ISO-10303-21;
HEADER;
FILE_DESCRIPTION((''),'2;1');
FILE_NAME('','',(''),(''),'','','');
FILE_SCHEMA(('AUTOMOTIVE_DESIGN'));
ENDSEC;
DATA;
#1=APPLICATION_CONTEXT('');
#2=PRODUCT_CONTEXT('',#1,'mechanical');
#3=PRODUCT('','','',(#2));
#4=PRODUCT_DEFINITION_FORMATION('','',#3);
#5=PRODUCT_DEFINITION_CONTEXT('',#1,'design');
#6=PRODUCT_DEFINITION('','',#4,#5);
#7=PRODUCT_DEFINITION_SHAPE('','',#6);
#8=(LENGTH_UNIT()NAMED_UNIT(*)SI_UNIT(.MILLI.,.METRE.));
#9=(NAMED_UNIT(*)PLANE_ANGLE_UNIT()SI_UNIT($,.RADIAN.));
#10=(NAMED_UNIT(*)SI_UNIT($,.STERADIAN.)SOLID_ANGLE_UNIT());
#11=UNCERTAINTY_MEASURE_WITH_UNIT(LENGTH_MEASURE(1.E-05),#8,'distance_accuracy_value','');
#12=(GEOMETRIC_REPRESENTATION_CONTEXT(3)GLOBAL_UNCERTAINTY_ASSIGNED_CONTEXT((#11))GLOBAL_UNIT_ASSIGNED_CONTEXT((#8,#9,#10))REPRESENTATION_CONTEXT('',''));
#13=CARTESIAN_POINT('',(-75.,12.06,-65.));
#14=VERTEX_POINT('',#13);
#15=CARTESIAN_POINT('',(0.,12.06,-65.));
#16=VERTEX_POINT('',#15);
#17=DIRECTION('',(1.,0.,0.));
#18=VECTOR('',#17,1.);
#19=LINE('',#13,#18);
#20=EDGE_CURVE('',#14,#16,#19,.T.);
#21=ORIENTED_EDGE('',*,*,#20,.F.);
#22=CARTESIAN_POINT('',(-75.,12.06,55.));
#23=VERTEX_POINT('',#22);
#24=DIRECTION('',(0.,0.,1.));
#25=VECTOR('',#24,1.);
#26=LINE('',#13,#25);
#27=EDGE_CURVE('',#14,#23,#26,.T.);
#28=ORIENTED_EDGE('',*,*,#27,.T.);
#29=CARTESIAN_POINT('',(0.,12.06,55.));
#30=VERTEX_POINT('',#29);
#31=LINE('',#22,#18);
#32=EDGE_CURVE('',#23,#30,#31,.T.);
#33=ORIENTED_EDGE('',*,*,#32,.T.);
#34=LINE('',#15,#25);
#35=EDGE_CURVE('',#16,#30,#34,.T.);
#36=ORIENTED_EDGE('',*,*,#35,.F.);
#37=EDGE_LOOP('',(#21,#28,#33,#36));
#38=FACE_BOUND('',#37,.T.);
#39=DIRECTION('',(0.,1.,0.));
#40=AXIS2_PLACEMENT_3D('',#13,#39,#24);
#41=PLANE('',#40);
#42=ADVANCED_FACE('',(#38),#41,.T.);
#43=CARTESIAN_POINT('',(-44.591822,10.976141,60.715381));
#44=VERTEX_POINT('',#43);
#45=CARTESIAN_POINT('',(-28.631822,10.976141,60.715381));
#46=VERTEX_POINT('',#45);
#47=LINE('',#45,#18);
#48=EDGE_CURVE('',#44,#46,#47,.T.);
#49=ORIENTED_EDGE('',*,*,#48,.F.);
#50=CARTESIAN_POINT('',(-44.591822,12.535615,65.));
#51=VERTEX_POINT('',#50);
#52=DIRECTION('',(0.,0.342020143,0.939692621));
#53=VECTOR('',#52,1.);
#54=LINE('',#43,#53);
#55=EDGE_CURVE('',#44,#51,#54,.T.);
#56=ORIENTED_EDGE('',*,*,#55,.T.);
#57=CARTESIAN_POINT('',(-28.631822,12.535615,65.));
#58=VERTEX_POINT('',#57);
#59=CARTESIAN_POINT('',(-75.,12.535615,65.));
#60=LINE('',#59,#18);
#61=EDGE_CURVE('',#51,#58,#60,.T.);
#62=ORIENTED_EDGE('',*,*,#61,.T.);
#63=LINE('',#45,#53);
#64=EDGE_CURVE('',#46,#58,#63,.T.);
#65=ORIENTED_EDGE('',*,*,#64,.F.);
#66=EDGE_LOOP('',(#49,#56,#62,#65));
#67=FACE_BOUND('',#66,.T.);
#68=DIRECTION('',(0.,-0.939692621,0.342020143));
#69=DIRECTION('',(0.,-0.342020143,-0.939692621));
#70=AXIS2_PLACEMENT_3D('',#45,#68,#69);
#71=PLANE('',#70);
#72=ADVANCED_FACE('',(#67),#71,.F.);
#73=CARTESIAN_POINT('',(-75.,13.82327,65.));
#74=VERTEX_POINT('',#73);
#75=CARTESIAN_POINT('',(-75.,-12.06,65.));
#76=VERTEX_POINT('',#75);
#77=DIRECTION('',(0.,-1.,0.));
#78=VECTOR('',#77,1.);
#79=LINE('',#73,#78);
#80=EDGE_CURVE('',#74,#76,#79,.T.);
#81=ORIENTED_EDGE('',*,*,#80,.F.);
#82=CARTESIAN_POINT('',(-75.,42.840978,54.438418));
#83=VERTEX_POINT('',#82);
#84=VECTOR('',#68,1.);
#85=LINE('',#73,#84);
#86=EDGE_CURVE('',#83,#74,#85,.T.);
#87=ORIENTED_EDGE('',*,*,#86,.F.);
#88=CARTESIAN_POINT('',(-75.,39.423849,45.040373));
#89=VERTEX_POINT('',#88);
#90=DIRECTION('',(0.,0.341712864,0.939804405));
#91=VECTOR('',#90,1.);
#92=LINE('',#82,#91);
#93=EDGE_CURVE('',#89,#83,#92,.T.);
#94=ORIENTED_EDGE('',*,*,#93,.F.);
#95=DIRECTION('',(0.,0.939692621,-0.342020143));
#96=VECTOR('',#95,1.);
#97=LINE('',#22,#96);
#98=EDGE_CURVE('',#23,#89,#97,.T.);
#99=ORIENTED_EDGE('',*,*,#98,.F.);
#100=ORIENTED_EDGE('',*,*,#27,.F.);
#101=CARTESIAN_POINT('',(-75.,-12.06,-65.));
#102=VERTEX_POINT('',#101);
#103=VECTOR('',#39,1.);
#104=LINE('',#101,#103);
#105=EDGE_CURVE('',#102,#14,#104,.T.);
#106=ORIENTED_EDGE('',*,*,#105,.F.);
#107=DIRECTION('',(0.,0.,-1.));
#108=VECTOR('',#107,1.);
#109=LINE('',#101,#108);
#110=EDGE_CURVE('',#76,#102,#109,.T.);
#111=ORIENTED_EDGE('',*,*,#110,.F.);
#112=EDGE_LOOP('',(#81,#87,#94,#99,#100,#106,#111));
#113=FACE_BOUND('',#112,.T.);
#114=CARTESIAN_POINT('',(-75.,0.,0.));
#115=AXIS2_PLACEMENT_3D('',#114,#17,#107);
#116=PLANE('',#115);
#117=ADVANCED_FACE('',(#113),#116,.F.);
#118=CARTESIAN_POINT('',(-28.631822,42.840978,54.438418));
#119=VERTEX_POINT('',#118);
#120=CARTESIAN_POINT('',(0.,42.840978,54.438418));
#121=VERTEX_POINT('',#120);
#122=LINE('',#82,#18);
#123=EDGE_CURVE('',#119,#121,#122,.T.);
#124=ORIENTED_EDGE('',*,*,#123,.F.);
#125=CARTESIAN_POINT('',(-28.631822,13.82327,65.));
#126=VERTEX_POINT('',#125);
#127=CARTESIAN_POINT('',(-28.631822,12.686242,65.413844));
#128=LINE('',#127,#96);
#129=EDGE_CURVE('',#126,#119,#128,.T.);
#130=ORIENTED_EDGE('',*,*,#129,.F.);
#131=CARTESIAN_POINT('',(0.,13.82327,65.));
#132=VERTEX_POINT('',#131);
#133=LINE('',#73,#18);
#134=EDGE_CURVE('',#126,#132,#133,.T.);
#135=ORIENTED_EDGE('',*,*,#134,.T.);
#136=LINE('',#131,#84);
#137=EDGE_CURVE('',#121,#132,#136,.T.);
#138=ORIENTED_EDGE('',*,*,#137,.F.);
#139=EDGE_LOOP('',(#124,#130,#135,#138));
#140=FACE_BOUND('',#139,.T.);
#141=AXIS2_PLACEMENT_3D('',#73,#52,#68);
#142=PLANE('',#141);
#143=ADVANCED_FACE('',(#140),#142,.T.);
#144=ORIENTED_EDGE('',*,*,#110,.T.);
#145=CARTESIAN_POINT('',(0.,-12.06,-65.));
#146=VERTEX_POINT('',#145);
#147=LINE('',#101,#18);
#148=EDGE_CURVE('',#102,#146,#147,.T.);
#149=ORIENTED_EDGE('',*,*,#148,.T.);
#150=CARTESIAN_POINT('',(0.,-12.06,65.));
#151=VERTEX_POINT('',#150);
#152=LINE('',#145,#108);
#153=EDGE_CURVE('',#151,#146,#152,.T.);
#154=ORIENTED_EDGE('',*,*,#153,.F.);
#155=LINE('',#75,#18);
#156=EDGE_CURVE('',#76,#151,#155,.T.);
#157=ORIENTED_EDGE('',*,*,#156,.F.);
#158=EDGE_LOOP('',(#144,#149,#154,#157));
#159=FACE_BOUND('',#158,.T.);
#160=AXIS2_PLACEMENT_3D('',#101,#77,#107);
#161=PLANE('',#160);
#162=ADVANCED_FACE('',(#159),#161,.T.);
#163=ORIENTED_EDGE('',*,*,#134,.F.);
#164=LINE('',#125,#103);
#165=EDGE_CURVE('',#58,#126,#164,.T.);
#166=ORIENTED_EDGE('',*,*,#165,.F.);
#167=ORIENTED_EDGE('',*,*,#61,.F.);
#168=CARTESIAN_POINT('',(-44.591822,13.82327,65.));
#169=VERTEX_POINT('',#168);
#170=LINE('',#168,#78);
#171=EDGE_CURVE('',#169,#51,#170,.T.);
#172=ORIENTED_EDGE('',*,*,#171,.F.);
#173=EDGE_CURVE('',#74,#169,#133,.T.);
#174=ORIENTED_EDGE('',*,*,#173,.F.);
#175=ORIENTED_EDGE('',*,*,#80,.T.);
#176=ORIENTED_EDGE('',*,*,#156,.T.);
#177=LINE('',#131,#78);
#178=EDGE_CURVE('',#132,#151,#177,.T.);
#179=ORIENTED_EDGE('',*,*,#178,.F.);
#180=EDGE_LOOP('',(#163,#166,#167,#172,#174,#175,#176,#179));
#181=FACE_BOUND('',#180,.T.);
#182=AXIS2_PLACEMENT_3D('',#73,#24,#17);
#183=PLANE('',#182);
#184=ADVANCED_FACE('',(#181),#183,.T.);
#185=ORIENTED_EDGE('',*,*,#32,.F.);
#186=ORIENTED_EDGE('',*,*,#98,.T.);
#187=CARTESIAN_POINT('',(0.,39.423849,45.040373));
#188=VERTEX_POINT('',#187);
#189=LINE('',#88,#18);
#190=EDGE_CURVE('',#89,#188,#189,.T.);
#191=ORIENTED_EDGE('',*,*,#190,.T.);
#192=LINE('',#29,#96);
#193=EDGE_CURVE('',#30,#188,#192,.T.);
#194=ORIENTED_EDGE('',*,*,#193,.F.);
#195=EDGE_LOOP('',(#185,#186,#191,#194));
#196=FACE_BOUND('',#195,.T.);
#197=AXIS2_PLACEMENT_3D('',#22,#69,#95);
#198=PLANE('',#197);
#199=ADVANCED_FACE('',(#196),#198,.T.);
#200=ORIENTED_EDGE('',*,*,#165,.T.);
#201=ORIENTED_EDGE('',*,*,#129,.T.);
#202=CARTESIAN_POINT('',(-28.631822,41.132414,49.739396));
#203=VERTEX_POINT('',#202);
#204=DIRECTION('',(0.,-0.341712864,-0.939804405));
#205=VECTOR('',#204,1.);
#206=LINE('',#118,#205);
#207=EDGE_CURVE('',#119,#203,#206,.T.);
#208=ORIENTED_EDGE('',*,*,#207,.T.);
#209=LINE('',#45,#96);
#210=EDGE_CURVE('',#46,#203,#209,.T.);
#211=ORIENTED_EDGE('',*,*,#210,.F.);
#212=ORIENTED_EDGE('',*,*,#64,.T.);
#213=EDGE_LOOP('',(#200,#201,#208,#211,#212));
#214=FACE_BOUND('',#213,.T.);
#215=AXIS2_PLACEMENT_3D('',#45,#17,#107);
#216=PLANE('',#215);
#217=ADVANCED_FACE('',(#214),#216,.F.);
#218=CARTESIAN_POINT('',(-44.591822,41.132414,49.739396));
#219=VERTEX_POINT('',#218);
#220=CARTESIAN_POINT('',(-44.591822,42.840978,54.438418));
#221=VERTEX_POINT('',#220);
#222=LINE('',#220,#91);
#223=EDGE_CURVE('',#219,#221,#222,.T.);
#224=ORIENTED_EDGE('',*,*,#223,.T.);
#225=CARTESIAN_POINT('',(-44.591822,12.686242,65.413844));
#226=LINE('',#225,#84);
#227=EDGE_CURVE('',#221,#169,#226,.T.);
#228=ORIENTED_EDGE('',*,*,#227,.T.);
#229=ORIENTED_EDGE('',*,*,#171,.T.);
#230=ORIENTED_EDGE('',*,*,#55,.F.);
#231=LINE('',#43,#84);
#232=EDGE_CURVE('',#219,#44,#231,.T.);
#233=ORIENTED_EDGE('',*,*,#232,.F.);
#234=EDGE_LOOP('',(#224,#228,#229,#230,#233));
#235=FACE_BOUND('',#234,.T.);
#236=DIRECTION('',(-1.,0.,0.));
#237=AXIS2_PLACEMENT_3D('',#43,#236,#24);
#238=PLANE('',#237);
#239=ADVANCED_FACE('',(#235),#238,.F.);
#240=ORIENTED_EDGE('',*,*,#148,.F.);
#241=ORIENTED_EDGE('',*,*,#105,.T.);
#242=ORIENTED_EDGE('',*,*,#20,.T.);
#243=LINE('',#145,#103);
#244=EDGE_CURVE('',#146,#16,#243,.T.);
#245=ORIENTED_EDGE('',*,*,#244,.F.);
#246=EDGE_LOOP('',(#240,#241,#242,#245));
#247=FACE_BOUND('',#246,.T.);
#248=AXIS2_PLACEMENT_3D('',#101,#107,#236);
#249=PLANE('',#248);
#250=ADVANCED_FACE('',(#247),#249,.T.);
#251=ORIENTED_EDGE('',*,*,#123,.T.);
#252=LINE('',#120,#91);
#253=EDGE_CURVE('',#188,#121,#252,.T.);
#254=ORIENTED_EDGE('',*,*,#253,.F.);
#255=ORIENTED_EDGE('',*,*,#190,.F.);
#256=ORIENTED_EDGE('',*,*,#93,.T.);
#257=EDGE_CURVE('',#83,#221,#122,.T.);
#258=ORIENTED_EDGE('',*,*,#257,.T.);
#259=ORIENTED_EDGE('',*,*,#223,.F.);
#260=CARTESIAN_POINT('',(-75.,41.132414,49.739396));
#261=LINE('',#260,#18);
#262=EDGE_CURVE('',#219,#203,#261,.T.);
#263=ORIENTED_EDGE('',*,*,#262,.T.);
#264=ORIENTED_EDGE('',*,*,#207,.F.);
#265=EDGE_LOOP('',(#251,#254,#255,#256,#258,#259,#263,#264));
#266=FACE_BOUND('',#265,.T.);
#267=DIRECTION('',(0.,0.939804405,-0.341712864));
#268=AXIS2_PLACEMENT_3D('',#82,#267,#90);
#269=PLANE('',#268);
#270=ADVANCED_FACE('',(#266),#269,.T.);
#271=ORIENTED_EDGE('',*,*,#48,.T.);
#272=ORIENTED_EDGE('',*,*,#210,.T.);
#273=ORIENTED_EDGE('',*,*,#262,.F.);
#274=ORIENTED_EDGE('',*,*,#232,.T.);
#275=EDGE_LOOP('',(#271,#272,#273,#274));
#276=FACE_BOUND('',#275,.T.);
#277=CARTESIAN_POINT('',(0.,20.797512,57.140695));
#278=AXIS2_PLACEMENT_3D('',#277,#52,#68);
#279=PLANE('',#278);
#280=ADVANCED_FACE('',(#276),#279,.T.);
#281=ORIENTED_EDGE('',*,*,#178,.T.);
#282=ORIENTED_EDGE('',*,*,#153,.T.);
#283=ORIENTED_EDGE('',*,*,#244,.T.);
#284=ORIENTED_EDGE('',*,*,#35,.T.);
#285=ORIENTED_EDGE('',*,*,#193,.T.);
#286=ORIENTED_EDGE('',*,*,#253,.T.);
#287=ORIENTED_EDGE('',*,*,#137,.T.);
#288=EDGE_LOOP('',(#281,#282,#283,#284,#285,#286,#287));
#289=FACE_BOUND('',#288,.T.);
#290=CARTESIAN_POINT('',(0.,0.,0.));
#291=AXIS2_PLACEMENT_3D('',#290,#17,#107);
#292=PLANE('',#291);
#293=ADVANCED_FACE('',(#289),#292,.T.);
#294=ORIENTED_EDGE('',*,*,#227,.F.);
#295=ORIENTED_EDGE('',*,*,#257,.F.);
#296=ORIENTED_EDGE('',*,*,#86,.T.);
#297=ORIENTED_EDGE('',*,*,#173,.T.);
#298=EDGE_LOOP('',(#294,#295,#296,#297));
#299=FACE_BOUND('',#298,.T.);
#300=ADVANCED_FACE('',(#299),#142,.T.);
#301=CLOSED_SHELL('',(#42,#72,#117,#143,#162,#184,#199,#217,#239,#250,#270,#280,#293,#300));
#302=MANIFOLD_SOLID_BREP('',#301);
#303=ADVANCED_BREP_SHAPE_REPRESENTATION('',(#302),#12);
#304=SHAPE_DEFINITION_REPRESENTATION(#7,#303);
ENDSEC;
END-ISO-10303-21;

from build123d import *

# Parameters (mm, degrees)
BOSS_EXTRUDE1_DEPTH = 75
SKETCH2_W           = 15.96
SKETCH2_H           = 40
CUT_EXTRUDE1_DEPTH  = 5


with BuildPart() as part:
    # Sketch1 → Boss-Extrude1 (new body)
    with BuildSketch(Plane(origin=(0, 0, 0), x_dir=(0, 0, -1), z_dir=(1, 0, 0))):
        Polygon((65, -12.06), (-65, -12.06), (-65, 13.823269807), (-54.438417974, 42.840977937), (-45.040373426, 39.423849117), (-55, 12.06), (65, 12.06), align=None)
    extrude(amount=-BOSS_EXTRUDE1_DEPTH)

    # Sketch2 → Cut-Extrude1 (cut)
    with BuildSketch(Plane(origin=(0, 22.507612708, 61.83915768), x_dir=(1, 0, 0), z_dir=(0, 0.342020143325673, 0.9396926207859068))):
        with Locations((-36.611821511, 9.548315317)):
            Rectangle(SKETCH2_W, SKETCH2_H)
    extrude(amount=-CUT_EXTRUDE1_DEPTH, mode=Mode.SUBTRACT)


solid = part.part
